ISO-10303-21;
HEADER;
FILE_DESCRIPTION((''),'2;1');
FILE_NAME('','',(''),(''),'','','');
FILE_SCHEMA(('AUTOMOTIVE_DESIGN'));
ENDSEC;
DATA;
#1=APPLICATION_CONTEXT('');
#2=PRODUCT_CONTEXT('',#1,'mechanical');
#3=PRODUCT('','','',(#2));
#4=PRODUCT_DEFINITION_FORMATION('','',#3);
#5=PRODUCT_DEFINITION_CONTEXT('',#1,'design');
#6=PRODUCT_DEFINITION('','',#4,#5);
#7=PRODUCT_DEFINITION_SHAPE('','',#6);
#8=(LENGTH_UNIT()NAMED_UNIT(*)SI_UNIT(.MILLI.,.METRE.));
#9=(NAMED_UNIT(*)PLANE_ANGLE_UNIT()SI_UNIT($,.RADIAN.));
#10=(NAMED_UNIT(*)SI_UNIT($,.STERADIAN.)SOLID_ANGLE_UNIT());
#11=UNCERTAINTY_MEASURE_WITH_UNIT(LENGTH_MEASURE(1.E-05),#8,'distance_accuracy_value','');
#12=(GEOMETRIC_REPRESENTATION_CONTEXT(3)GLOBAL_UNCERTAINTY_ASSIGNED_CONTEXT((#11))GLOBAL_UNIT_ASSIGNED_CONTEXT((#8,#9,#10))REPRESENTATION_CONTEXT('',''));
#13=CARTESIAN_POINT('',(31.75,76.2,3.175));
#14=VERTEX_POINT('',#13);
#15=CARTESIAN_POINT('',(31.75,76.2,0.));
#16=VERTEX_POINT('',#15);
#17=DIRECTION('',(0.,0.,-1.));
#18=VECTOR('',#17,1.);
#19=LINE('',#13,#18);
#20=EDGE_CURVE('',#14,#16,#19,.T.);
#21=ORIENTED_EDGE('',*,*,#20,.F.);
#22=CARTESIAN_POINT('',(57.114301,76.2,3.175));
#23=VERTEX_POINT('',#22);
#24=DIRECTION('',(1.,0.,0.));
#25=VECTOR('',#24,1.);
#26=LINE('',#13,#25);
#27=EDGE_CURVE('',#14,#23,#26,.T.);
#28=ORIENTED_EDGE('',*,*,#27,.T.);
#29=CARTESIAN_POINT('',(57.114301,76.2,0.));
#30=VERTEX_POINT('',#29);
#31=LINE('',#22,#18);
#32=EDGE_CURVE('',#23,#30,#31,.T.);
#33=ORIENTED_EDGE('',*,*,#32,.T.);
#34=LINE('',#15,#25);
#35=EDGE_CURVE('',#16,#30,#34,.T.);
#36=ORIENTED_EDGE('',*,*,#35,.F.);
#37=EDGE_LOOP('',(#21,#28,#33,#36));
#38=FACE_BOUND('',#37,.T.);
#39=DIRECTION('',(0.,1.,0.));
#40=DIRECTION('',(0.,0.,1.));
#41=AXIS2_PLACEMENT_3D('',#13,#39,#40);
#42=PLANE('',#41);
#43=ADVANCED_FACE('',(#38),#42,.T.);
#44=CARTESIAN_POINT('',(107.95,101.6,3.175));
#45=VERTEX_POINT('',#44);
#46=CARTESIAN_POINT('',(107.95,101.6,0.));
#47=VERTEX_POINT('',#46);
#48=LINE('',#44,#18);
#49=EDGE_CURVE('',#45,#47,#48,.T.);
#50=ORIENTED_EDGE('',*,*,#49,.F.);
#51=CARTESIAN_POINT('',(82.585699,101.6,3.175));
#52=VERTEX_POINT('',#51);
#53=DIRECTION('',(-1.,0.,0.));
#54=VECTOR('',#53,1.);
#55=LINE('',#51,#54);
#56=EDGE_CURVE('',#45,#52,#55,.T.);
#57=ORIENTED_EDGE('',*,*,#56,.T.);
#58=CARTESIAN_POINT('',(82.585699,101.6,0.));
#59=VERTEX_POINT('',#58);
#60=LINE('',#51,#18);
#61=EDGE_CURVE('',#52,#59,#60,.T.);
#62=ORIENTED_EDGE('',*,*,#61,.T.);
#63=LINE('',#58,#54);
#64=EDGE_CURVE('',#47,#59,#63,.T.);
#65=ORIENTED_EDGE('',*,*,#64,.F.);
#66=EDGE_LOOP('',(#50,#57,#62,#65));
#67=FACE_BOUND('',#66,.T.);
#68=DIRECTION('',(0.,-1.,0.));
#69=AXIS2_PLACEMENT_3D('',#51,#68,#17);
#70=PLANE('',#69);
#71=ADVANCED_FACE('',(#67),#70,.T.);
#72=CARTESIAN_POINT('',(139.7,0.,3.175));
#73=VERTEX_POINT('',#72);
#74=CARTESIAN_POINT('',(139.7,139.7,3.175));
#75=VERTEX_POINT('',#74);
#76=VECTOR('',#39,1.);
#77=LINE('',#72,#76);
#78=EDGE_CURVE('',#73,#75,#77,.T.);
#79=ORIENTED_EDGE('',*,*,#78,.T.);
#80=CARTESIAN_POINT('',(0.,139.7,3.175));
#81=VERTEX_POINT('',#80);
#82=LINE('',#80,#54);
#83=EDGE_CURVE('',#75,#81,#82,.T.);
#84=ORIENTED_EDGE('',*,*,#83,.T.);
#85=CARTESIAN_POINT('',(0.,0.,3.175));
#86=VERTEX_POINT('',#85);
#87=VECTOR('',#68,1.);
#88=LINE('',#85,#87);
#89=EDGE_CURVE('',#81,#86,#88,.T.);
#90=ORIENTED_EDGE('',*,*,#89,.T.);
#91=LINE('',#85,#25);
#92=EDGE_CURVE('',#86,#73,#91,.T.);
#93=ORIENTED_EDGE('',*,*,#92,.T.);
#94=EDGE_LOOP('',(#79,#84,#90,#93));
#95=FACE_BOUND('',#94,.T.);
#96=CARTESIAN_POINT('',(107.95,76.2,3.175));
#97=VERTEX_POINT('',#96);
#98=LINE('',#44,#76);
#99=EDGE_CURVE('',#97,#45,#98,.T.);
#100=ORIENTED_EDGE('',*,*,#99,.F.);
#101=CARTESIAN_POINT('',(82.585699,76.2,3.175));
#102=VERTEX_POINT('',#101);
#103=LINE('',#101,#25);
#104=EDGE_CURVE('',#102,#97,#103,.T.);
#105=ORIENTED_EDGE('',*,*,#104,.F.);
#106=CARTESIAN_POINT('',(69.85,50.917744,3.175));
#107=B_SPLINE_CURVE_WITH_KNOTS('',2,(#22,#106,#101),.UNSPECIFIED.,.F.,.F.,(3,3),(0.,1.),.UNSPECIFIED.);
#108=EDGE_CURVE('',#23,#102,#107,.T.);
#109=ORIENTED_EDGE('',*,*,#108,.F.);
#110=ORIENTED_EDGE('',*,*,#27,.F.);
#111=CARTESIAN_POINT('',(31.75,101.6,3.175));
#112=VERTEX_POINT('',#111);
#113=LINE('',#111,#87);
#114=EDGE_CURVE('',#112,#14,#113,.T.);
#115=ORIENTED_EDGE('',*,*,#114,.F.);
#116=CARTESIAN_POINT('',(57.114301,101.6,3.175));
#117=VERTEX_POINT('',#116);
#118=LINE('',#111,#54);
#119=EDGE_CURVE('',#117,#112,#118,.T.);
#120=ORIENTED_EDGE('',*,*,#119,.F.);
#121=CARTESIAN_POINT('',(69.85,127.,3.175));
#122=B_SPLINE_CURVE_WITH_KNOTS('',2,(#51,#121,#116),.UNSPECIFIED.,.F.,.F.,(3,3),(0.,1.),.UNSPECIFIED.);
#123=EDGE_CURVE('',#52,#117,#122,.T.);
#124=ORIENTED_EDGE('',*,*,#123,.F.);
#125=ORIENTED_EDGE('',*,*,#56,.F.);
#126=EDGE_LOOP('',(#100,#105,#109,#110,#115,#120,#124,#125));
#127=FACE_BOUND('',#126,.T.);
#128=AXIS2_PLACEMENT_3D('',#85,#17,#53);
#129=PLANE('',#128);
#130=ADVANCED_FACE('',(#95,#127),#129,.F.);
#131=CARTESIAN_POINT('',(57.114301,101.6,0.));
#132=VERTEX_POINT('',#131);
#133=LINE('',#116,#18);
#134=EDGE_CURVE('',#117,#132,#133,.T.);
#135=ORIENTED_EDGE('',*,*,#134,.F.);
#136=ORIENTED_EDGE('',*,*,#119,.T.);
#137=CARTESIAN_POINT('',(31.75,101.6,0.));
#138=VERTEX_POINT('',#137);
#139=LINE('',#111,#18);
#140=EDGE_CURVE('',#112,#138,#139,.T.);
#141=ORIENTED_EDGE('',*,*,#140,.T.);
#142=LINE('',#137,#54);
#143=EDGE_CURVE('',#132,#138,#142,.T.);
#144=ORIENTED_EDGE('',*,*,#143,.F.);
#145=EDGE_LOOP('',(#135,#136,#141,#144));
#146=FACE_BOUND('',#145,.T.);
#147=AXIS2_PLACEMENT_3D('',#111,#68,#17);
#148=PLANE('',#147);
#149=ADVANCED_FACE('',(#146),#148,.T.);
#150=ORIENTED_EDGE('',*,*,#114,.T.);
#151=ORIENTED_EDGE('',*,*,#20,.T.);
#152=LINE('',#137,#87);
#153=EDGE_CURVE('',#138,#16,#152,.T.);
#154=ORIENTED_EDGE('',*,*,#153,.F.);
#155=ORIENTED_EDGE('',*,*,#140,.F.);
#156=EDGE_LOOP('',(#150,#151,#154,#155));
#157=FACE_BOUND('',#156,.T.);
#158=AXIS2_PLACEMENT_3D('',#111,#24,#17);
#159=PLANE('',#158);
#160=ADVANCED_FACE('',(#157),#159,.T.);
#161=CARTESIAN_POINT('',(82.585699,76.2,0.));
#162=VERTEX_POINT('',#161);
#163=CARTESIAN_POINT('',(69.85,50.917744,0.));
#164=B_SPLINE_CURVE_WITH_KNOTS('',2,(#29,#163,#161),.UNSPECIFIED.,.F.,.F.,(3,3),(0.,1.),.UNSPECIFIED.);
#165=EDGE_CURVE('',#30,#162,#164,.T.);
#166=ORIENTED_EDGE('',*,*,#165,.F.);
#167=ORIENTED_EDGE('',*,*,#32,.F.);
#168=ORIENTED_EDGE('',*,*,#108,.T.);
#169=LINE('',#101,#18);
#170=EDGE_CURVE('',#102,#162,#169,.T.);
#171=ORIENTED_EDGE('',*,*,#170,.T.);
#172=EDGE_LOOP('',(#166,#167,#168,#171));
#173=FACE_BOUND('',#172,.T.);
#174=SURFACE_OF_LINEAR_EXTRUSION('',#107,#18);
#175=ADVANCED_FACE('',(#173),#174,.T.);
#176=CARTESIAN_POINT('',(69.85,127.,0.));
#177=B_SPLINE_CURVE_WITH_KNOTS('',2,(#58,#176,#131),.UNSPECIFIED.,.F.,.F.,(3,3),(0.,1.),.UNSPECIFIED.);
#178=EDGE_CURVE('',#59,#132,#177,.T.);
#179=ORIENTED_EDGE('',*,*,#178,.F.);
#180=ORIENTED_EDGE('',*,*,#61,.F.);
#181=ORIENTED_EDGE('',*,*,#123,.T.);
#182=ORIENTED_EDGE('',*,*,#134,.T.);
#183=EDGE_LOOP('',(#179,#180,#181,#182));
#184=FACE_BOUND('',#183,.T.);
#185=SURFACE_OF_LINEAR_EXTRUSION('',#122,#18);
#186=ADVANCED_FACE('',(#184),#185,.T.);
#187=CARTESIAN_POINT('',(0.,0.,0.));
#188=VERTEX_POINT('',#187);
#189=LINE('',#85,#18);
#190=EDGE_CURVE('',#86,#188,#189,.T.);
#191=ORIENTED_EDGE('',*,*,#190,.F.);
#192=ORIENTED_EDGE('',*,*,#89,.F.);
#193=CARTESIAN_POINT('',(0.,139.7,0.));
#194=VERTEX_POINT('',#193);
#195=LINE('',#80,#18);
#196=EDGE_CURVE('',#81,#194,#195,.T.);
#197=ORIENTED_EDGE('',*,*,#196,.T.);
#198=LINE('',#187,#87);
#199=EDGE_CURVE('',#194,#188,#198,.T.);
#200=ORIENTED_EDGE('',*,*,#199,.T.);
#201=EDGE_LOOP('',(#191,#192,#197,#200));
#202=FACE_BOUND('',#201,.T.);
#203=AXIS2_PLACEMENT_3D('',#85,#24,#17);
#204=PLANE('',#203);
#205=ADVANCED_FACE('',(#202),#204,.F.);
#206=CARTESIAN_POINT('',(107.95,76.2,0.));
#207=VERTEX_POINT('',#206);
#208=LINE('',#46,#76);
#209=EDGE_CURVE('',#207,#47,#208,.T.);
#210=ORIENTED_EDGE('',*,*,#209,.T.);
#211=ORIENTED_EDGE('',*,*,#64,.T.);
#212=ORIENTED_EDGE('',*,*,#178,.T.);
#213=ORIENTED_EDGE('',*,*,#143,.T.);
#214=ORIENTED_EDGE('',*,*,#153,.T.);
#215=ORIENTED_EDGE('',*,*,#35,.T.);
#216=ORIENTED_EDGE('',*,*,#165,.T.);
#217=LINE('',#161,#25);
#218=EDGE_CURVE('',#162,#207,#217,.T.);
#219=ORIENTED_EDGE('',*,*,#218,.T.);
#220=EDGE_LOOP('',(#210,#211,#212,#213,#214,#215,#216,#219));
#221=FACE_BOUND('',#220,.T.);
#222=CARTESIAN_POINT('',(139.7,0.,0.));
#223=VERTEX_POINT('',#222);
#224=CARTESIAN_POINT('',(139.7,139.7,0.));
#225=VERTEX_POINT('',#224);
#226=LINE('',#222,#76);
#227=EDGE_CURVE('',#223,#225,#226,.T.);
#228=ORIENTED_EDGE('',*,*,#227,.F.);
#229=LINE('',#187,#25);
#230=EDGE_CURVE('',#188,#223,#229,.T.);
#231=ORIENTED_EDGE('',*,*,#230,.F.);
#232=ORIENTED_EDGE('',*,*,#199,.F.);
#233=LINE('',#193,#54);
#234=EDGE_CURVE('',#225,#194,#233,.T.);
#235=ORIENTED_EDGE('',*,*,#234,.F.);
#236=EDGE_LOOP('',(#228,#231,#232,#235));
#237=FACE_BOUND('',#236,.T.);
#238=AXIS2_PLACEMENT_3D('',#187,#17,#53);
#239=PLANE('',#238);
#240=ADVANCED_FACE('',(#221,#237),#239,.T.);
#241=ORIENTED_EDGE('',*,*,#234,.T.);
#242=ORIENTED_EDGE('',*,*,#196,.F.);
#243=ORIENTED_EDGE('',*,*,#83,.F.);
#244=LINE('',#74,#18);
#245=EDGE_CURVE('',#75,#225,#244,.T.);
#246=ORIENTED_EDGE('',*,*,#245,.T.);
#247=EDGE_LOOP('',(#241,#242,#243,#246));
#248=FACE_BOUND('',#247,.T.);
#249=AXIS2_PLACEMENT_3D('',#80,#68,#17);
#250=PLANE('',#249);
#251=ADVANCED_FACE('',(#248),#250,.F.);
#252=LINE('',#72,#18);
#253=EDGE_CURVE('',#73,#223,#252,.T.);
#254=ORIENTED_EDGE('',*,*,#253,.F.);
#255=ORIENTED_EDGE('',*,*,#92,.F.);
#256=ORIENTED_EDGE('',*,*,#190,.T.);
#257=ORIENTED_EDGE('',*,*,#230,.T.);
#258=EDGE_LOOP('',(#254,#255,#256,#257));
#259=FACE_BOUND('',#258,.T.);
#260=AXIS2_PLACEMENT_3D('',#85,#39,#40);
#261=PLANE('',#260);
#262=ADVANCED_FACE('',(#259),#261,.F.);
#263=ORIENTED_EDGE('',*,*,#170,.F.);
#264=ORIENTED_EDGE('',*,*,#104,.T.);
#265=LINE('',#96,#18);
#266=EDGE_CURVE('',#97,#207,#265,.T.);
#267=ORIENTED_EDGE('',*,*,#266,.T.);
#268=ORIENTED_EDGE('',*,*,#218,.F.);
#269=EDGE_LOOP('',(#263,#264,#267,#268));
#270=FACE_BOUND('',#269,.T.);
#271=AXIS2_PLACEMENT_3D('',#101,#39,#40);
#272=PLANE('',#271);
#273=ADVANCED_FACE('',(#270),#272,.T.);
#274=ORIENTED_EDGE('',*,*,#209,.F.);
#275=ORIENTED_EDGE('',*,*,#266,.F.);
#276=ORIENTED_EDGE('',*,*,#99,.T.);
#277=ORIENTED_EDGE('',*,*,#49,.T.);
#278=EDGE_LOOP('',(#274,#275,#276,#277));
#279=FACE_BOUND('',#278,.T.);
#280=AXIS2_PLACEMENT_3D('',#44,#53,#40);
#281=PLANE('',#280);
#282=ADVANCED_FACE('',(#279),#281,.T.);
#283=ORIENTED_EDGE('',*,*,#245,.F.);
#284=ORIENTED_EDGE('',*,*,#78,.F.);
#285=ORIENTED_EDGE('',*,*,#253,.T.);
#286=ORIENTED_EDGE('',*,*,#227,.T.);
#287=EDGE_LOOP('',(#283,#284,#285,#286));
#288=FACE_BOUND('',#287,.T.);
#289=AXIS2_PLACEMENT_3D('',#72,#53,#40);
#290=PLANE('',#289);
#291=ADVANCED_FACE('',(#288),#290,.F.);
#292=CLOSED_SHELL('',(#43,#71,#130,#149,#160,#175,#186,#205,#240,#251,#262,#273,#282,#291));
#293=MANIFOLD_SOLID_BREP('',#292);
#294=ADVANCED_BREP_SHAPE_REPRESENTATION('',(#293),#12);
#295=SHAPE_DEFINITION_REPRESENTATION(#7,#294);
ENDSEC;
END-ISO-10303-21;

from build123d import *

# Parameters (mm, degrees)
SKETCH1_W           = 139.7
SKETCH1_H           = 139.7
BOSS_EXTRUDE1_DEPTH = 3.175


with BuildPart() as part:
    # Sketch1 → Boss-Extrude1 (new body)
    with BuildSketch(Plane.XY):
        with Locations((69.85, 69.85)):
            Rectangle(SKETCH1_W, SKETCH1_H)
        with BuildLine():
            Line((31.75, 101.6), (57.114301478, 101.6))
            add(Edge.make_bspline(
                [(57.114301478, 101.6), (69.85, 127), (82.585698522, 101.6)],
                knots=[0, 0, 0, 1, 1, 1], degree=2))
            Line((82.585698522, 101.6), (107.95, 101.6))
            Line((107.95, 101.6), (107.95, 76.2))
            Line((107.95, 76.2), (82.585698522, 76.2))
            add(Edge.make_bspline(
                [(57.114301478, 76.2), (69.85, 50.917743629), (82.585698522, 76.2)],
                knots=[0, 0, 0, 1, 1, 1], degree=2))
            Line((57.114301478, 76.2), (31.75, 76.2))
            Line((31.75, 76.2), (31.75, 101.6))
        make_face(mode=Mode.SUBTRACT)
    extrude(amount=BOSS_EXTRUDE1_DEPTH)


solid = part.part
